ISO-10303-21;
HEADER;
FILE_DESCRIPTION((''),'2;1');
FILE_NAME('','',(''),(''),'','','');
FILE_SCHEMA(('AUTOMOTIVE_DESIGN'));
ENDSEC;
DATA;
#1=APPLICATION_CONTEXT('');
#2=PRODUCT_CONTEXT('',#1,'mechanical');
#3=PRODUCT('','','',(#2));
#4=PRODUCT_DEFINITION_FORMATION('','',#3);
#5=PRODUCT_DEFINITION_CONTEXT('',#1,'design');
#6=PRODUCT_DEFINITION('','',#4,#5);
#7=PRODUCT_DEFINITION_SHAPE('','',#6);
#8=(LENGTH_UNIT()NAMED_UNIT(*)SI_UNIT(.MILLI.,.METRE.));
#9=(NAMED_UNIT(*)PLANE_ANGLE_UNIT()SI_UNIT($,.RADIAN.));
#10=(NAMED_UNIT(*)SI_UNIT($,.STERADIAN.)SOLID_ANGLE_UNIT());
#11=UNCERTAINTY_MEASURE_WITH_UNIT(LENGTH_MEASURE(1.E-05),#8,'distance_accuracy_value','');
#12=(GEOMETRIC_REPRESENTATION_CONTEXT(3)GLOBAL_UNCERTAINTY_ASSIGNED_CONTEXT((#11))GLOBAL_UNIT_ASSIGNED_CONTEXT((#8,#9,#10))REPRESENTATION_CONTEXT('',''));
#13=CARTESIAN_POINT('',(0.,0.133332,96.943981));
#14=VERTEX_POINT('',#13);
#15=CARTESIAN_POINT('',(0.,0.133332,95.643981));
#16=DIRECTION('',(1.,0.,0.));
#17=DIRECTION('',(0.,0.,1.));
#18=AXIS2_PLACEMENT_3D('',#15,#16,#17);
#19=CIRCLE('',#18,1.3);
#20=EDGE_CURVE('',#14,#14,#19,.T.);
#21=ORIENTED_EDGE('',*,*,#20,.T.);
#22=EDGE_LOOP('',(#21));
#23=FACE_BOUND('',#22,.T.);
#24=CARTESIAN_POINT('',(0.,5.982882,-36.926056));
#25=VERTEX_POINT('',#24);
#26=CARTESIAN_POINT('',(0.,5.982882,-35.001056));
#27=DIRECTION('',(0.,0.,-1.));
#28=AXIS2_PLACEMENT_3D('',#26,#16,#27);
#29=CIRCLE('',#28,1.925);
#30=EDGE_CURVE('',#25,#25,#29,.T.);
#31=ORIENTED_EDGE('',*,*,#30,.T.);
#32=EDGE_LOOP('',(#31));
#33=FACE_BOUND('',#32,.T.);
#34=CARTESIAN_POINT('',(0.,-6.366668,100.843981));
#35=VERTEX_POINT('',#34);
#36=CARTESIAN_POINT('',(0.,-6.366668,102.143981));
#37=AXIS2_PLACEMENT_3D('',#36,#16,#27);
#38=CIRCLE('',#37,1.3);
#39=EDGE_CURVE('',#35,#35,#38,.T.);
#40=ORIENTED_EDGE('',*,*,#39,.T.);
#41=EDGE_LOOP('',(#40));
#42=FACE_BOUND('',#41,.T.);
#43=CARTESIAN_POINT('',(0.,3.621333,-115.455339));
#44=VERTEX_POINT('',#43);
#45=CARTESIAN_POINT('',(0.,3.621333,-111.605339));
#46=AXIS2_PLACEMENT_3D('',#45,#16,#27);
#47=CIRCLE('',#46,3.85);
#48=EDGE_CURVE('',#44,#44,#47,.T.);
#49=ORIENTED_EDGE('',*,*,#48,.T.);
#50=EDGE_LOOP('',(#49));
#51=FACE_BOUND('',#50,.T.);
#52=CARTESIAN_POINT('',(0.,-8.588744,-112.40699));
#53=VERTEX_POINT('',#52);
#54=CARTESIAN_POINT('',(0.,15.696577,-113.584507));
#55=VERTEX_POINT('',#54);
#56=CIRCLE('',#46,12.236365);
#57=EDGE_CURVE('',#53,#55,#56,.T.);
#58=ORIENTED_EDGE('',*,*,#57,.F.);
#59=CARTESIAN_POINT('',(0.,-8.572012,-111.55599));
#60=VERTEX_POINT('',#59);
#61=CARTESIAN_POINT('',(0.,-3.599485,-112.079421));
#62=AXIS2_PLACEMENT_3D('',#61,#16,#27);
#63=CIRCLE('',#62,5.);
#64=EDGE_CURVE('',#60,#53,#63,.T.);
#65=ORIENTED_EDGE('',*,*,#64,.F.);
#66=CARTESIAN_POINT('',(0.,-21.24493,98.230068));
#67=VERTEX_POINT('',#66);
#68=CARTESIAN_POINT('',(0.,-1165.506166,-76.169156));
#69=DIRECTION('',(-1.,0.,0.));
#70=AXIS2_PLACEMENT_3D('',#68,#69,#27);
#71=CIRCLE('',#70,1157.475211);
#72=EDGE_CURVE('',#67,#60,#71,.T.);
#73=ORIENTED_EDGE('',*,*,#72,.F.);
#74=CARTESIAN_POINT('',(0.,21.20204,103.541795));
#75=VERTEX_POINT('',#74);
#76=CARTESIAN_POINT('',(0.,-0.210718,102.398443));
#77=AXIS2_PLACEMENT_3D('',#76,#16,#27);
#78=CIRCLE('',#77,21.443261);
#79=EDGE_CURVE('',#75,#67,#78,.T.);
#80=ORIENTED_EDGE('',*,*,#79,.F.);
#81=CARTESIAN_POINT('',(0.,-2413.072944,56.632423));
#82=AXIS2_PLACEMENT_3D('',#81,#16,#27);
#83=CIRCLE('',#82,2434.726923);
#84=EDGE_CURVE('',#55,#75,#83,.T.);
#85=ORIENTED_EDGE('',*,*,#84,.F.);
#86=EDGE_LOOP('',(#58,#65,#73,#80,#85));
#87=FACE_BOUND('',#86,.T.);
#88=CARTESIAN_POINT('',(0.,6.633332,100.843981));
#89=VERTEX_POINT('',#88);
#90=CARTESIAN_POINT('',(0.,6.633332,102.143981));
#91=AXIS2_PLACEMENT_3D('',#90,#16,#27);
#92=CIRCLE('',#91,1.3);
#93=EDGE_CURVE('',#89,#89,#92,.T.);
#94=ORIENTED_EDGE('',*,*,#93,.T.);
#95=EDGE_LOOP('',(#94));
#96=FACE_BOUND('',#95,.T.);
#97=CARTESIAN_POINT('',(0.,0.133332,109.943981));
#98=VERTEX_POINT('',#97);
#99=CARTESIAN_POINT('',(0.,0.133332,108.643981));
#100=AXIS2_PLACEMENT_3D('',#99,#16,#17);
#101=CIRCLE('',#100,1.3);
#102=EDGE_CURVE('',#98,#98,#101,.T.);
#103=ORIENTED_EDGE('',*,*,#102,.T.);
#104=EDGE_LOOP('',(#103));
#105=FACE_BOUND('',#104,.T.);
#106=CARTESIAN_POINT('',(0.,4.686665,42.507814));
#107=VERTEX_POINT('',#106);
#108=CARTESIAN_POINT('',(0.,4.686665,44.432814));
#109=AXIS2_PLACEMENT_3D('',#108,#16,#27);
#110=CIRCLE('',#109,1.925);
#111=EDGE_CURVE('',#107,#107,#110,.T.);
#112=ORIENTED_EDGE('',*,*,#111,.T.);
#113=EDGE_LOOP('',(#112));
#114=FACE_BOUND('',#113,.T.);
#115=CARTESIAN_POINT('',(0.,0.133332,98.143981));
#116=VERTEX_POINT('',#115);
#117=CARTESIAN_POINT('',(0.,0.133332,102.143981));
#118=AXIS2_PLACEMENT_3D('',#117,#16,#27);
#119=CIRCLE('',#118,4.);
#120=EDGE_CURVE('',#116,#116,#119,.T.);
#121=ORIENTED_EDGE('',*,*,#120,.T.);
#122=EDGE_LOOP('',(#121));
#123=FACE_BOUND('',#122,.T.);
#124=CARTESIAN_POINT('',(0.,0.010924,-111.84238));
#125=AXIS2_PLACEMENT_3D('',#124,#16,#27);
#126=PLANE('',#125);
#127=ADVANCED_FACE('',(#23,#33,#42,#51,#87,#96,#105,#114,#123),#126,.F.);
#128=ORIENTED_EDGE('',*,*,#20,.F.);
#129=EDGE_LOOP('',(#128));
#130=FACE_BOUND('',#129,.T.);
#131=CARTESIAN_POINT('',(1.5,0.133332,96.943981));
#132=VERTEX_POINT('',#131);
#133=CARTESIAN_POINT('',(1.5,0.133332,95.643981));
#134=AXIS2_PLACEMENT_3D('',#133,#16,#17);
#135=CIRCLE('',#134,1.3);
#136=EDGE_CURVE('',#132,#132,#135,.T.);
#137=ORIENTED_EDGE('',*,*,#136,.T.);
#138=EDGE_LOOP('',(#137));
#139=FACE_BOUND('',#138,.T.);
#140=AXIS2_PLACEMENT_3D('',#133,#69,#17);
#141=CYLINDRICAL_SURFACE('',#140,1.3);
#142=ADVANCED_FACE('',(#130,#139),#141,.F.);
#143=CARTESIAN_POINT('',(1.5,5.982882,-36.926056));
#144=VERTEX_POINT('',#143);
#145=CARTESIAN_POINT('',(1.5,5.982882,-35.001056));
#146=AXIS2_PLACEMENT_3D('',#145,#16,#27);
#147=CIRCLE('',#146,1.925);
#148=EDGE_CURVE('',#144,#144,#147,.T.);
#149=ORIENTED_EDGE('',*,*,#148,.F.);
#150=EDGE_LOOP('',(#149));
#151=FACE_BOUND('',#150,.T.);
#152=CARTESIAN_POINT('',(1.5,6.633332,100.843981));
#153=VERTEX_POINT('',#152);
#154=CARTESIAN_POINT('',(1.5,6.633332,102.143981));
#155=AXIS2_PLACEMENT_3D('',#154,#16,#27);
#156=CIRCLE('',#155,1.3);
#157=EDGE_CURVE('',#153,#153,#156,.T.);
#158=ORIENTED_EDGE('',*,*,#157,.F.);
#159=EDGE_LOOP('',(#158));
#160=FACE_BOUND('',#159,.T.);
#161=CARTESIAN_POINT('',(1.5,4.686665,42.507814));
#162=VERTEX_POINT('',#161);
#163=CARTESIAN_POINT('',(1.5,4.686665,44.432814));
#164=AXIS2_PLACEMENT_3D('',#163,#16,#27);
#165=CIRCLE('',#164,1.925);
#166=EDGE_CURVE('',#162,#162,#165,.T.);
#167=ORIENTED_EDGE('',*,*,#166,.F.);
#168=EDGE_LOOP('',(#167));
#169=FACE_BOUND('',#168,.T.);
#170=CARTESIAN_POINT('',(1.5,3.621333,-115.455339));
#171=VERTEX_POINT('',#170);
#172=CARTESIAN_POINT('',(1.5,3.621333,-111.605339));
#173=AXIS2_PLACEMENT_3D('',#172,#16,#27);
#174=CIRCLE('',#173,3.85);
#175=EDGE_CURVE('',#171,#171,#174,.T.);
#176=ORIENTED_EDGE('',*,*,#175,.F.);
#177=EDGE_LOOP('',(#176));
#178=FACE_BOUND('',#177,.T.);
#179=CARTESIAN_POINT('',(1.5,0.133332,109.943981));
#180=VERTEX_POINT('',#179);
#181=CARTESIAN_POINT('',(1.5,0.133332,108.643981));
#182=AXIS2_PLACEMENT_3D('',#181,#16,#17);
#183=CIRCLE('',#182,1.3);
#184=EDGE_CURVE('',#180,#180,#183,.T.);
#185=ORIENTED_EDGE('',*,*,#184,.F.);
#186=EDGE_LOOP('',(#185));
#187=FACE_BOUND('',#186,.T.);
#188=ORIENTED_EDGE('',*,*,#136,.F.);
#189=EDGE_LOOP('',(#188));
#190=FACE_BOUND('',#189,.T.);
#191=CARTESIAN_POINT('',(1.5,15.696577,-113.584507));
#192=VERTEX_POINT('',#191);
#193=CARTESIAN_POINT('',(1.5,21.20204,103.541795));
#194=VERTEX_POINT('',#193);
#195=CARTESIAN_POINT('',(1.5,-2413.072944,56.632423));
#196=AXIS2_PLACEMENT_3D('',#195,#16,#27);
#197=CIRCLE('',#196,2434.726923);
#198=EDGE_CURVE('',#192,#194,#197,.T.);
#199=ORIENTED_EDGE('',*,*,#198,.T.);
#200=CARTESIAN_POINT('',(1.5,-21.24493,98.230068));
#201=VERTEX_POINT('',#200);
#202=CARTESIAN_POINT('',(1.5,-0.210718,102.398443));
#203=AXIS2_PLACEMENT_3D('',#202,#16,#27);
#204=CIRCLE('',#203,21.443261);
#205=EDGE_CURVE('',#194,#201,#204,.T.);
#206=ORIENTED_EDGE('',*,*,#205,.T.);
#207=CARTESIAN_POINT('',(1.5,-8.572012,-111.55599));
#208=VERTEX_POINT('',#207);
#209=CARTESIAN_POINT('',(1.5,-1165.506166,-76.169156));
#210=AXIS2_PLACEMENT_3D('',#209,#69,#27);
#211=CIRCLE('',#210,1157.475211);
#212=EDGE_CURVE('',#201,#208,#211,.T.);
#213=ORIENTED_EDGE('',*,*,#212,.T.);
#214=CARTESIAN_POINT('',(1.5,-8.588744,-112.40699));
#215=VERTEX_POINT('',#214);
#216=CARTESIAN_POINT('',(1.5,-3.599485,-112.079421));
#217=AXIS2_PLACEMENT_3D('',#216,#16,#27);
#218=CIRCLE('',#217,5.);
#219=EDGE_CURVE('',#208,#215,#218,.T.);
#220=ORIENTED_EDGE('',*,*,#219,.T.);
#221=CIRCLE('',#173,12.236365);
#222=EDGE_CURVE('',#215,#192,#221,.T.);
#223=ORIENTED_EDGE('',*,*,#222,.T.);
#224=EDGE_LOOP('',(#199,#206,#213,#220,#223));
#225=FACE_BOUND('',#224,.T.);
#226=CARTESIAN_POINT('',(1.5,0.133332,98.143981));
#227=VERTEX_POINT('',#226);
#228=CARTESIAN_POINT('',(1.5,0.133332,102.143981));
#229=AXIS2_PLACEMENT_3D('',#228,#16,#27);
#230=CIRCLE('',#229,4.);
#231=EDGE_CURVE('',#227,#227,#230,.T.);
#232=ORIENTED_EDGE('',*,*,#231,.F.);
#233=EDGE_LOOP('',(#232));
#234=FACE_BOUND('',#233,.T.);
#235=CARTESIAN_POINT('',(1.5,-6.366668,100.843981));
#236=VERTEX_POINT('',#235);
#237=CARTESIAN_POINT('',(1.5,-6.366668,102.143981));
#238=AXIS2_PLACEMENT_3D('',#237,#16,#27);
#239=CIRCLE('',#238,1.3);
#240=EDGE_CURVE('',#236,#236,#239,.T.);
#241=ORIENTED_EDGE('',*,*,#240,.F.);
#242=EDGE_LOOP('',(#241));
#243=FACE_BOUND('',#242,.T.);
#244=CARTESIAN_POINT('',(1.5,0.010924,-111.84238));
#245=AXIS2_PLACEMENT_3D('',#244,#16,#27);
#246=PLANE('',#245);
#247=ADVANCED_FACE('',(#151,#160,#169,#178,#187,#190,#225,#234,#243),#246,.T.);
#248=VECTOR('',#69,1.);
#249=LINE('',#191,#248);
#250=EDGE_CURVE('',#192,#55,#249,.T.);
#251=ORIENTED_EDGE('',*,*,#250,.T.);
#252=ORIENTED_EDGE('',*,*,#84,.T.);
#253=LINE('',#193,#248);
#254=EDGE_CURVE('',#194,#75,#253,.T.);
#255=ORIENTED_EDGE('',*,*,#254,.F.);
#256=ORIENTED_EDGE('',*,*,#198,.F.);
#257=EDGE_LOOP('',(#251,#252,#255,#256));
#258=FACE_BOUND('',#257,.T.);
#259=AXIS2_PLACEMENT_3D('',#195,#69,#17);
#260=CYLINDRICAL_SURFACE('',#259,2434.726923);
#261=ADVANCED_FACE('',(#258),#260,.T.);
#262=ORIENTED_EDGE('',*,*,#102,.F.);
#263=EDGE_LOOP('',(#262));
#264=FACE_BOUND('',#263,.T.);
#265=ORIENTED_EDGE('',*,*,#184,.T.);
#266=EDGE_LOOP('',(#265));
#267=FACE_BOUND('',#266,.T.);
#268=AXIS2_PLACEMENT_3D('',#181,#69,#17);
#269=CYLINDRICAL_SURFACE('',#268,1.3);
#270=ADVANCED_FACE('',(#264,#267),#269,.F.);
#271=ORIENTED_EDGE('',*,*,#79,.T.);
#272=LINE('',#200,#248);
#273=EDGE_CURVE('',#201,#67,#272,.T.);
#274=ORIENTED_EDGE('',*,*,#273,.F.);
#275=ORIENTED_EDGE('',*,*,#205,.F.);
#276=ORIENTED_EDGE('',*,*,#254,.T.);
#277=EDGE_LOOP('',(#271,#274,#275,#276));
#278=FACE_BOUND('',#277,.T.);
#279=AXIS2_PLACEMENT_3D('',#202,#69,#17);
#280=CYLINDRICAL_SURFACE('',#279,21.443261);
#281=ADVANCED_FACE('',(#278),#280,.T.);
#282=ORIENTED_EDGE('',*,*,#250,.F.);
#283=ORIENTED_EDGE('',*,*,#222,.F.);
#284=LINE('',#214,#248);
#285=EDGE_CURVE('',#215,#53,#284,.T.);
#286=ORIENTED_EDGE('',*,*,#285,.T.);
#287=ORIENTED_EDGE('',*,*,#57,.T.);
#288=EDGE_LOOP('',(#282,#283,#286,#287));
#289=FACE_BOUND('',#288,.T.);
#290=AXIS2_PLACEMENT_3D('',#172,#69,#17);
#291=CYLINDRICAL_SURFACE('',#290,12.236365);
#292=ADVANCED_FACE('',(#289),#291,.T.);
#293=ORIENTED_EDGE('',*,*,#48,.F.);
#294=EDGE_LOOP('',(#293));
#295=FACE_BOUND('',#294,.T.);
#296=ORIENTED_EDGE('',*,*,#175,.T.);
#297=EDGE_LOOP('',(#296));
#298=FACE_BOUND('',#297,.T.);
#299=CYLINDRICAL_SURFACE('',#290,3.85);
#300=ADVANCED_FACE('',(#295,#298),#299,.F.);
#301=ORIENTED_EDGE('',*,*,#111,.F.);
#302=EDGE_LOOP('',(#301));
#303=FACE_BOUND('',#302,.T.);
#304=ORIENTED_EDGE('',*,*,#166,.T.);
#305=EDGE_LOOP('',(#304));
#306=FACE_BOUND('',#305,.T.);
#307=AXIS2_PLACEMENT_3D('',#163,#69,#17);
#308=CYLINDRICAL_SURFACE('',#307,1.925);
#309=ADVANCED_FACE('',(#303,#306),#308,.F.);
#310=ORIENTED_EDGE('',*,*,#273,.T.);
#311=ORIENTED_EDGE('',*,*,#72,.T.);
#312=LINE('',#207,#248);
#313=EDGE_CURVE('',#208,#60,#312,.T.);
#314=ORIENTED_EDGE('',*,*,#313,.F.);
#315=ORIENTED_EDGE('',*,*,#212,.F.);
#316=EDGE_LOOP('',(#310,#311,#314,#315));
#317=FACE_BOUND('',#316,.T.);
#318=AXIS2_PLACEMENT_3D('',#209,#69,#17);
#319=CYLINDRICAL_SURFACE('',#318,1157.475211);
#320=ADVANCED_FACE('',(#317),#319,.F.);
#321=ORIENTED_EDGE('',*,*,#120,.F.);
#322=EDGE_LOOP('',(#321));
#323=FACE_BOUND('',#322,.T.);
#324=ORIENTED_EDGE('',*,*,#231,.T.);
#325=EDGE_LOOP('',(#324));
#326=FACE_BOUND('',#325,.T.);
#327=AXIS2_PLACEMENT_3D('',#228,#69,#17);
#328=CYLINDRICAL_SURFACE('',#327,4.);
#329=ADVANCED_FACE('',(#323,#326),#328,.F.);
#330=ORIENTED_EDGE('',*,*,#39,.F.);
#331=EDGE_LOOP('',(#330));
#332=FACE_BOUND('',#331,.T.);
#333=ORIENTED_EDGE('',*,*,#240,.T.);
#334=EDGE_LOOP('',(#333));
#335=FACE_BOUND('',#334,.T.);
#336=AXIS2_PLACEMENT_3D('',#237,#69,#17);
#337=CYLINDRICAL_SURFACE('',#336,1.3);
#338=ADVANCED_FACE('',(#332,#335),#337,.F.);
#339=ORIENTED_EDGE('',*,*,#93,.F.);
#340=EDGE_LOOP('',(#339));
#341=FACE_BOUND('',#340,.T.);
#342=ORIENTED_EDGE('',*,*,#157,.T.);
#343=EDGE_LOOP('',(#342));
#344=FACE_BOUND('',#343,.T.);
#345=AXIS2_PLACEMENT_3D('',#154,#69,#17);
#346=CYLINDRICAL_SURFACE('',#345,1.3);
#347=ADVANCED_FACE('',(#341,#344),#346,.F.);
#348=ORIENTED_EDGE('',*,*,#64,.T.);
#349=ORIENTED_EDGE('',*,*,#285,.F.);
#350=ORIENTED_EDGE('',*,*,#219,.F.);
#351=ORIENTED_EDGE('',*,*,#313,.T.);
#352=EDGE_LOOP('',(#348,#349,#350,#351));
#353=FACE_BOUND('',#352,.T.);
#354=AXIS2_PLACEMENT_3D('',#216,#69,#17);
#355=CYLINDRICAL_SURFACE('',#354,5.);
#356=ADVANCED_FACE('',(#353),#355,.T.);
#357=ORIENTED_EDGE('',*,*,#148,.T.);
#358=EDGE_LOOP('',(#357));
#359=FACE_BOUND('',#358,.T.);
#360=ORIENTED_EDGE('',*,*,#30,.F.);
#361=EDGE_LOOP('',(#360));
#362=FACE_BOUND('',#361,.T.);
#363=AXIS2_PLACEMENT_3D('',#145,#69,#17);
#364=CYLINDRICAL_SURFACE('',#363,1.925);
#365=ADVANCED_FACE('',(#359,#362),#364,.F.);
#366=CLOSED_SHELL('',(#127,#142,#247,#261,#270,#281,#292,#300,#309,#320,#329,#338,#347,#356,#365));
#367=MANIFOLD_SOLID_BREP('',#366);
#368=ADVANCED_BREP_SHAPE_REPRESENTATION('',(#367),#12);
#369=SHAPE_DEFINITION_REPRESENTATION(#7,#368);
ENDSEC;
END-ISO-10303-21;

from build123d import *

# Parameters (mm, degrees)
SKETCH_1_R      = 1.3
SKETCH_1_R_2    = 4
SKETCH_1_R_3    = 1.925
SKETCH_1_R_4    = 3.85
EXTRUDE_1_DEPTH = 1.5


with BuildPart() as part:
    # 草圖1 → 填料-伸長1 (new body)
    with BuildSketch(Plane(origin=(0, 0, 0), x_dir=(0, 0, -1), z_dir=(1, 0, 0))):
        with BuildLine():
            ThreePointArc((111.555989952, -8.572011863), (6.374730125, -10.137132711), (-98.230068302, -21.244930328))
            ThreePointArc((-98.230068302, -21.244930328), (-123.67575498, -2.873316644), (-103.541794939, 21.20204032))
            ThreePointArc((-103.541794939, 21.20204032), (5.082777822, 20.871677912), (113.584507189, 15.696576829))
            ThreePointArc((113.584507189, 15.696576829), (123.827345593, 3.028727453), (112.406990492, -8.588743688))
            ThreePointArc((112.406990492, -8.588743688), (111.981133536, -8.59851924), (111.555989952, -8.572011863))
        make_face()
        with Locations((-102.143981395, 6.633331517)):
            Circle(SKETCH_1_R, mode=Mode.SUBTRACT)
        with Locations((-108.643981395, 0.133331517)):
            Circle(SKETCH_1_R, mode=Mode.SUBTRACT)
        with Locations((-102.143981395, -6.366668483)):
            Circle(SKETCH_1_R, mode=Mode.SUBTRACT)
        with Locations((-95.643981395, 0.133331517)):
            Circle(SKETCH_1_R, mode=Mode.SUBTRACT)
        with Locations((-102.143981395, 0.133331517)):
            Circle(SKETCH_1_R_2, mode=Mode.SUBTRACT)
        with Locations((35.001055541, 5.982881827)):
            Circle(SKETCH_1_R_3, mode=Mode.SUBTRACT)
        with Locations((-44.432813653, 4.686665047)):
            Circle(SKETCH_1_R_3, mode=Mode.SUBTRACT)
        with Locations((111.605339346, 3.621333032)):
            Circle(SKETCH_1_R_4, mode=Mode.SUBTRACT)
    extrude(amount=EXTRUDE_1_DEPTH)


solid = part.part
